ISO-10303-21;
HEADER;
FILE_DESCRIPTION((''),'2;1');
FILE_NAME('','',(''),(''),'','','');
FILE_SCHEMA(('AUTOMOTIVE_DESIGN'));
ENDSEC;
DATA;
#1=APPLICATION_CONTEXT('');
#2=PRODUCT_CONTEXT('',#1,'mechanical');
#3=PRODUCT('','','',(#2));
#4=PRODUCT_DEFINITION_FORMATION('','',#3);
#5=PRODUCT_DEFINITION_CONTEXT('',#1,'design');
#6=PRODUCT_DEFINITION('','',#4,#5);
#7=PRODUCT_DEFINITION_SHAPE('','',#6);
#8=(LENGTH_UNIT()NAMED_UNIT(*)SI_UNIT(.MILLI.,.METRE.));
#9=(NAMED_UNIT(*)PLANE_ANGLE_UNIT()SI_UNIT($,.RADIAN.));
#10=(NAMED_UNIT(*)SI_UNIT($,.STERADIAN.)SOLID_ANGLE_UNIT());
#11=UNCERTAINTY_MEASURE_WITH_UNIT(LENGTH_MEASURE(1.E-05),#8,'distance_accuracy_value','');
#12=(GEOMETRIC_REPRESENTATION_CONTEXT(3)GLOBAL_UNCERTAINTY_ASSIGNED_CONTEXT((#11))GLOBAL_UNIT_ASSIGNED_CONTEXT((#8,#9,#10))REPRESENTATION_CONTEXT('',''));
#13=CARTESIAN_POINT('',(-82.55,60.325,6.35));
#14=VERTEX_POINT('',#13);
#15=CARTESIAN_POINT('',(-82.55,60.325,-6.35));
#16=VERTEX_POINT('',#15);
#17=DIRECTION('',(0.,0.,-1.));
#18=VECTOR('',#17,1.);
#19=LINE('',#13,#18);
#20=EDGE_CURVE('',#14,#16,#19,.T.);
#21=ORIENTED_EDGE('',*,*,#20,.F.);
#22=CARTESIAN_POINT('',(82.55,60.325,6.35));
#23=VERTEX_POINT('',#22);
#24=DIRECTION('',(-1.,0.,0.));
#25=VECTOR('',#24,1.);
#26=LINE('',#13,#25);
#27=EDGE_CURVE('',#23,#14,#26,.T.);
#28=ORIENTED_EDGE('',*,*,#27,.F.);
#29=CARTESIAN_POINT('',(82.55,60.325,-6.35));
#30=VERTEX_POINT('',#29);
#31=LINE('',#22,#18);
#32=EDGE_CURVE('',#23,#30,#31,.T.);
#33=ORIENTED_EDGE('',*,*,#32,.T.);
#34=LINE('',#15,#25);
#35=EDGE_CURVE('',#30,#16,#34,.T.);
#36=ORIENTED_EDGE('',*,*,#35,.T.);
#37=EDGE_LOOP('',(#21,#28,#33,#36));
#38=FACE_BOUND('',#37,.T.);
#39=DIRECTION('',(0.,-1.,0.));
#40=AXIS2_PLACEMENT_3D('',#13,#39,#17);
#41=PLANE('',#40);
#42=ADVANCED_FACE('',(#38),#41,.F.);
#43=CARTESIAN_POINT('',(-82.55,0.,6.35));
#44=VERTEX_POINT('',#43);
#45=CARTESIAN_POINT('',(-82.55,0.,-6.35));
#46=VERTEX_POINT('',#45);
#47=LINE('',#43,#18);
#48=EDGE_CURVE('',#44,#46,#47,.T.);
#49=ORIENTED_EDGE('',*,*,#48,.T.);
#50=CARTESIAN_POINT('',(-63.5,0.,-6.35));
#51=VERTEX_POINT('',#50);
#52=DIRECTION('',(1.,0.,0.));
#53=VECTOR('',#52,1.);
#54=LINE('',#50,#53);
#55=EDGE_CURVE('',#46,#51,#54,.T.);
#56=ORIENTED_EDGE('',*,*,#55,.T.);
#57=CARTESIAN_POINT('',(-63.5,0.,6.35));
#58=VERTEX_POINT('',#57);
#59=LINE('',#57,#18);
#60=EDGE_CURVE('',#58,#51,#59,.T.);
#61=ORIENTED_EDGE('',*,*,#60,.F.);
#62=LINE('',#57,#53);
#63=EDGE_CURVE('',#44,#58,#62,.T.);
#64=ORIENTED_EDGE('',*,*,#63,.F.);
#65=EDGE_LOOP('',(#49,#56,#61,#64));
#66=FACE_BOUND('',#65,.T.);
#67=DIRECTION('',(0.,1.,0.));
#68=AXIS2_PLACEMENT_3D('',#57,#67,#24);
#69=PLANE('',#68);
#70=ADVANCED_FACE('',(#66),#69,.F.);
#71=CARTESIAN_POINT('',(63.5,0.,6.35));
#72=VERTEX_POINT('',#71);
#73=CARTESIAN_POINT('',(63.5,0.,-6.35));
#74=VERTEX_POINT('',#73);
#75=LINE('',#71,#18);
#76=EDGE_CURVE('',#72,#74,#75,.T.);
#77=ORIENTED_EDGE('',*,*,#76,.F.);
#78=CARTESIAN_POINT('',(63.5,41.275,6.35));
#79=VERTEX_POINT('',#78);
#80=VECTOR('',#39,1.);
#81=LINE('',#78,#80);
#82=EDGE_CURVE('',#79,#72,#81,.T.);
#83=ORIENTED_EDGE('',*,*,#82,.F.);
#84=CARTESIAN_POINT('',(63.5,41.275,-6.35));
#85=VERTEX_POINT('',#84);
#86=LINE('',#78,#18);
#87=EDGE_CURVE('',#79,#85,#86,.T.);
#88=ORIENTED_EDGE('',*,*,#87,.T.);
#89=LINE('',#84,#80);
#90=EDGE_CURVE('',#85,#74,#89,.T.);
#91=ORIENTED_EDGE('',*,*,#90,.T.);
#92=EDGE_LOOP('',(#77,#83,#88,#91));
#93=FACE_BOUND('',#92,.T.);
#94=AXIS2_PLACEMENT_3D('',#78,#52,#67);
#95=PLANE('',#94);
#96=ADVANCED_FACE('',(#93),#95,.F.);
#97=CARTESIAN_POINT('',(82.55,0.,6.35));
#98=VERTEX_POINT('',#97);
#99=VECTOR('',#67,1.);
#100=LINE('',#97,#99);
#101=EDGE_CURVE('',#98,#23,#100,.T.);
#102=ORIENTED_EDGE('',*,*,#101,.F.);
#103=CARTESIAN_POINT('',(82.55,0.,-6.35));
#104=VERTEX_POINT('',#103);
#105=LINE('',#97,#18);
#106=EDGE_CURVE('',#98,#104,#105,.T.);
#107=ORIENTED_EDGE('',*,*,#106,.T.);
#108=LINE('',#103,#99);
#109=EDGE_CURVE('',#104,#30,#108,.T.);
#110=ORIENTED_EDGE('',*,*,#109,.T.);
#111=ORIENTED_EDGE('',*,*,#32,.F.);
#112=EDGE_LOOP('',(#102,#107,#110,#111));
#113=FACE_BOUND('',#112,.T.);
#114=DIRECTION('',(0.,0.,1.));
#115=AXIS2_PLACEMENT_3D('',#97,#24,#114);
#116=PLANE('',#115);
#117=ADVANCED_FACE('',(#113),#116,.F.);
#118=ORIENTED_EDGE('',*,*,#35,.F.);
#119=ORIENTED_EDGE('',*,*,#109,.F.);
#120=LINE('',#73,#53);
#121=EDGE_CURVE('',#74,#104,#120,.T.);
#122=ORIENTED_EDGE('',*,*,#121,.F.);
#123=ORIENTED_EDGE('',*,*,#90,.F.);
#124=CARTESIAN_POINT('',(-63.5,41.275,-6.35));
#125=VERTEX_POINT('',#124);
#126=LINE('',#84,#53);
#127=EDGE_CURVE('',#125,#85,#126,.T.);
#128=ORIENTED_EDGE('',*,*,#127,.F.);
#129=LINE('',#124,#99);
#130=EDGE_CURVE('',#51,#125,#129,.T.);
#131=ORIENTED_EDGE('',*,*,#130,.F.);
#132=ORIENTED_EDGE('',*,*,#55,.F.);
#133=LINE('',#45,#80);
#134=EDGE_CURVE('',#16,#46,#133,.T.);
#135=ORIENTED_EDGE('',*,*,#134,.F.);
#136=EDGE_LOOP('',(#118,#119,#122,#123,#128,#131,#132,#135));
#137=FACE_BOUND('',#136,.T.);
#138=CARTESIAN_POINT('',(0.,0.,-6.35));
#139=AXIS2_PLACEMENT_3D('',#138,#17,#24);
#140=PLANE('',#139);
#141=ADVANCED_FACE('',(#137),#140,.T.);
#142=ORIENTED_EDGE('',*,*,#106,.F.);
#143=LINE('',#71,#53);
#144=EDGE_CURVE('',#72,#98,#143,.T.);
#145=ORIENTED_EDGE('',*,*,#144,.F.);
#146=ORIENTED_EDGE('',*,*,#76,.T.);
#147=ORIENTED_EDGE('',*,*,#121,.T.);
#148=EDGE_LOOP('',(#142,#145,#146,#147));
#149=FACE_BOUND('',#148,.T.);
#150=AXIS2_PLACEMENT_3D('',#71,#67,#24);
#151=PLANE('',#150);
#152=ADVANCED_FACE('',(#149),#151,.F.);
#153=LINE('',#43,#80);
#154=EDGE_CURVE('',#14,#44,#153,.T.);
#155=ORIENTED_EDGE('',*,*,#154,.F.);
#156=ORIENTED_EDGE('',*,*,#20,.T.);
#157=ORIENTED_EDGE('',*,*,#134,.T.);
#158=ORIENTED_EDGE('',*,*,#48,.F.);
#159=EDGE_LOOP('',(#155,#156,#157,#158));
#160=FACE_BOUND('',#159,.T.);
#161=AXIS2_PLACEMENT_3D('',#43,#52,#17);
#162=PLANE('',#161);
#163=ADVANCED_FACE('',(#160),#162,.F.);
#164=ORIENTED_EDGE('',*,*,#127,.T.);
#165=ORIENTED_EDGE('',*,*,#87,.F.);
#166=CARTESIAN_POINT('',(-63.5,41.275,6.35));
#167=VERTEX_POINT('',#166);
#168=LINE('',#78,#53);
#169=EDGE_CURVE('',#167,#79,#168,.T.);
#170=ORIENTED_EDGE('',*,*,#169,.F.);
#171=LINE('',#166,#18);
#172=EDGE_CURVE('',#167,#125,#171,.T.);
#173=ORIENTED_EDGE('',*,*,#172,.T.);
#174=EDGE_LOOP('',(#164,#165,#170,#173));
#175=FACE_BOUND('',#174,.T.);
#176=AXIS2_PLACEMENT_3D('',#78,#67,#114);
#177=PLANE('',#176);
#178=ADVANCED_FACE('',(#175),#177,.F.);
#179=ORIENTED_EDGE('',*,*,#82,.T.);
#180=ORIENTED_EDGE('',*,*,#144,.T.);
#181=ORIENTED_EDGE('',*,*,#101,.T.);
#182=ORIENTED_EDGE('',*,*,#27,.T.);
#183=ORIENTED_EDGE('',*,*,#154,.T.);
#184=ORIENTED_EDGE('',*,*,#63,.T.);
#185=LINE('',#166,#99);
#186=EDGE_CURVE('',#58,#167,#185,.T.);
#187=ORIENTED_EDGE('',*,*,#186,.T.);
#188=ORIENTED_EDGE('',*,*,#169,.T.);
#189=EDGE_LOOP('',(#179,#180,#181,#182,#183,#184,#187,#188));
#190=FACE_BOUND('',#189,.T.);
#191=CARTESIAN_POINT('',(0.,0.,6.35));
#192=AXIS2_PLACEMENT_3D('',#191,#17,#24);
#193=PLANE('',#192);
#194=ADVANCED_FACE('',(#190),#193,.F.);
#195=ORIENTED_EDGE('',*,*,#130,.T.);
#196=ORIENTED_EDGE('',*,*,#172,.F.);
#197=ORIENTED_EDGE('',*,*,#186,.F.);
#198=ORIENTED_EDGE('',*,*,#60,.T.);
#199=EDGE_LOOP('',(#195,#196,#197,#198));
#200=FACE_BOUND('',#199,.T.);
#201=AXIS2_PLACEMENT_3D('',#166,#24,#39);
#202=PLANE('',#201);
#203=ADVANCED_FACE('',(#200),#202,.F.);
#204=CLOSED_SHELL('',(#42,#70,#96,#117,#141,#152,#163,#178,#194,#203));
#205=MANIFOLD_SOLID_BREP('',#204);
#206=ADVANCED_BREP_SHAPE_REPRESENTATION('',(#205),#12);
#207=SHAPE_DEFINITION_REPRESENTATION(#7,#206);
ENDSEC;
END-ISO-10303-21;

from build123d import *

# Parameters (mm, degrees)
BOSS_EXTRUDE1_DEPTH = 6.35


with BuildPart() as part:
    # Sketch1 → Boss-Extrude1 (new, symmetric)
    with BuildSketch(Plane.XY):
        Polygon((-63.5, 0), (-82.55, 0), (-82.55, 60.325), (82.55, 60.325), (82.55, 0), (63.5, 0), (63.5, 41.275), (-63.5, 41.275), align=None)
    extrude(amount=BOSS_EXTRUDE1_DEPTH, both=True)


solid = part.part
